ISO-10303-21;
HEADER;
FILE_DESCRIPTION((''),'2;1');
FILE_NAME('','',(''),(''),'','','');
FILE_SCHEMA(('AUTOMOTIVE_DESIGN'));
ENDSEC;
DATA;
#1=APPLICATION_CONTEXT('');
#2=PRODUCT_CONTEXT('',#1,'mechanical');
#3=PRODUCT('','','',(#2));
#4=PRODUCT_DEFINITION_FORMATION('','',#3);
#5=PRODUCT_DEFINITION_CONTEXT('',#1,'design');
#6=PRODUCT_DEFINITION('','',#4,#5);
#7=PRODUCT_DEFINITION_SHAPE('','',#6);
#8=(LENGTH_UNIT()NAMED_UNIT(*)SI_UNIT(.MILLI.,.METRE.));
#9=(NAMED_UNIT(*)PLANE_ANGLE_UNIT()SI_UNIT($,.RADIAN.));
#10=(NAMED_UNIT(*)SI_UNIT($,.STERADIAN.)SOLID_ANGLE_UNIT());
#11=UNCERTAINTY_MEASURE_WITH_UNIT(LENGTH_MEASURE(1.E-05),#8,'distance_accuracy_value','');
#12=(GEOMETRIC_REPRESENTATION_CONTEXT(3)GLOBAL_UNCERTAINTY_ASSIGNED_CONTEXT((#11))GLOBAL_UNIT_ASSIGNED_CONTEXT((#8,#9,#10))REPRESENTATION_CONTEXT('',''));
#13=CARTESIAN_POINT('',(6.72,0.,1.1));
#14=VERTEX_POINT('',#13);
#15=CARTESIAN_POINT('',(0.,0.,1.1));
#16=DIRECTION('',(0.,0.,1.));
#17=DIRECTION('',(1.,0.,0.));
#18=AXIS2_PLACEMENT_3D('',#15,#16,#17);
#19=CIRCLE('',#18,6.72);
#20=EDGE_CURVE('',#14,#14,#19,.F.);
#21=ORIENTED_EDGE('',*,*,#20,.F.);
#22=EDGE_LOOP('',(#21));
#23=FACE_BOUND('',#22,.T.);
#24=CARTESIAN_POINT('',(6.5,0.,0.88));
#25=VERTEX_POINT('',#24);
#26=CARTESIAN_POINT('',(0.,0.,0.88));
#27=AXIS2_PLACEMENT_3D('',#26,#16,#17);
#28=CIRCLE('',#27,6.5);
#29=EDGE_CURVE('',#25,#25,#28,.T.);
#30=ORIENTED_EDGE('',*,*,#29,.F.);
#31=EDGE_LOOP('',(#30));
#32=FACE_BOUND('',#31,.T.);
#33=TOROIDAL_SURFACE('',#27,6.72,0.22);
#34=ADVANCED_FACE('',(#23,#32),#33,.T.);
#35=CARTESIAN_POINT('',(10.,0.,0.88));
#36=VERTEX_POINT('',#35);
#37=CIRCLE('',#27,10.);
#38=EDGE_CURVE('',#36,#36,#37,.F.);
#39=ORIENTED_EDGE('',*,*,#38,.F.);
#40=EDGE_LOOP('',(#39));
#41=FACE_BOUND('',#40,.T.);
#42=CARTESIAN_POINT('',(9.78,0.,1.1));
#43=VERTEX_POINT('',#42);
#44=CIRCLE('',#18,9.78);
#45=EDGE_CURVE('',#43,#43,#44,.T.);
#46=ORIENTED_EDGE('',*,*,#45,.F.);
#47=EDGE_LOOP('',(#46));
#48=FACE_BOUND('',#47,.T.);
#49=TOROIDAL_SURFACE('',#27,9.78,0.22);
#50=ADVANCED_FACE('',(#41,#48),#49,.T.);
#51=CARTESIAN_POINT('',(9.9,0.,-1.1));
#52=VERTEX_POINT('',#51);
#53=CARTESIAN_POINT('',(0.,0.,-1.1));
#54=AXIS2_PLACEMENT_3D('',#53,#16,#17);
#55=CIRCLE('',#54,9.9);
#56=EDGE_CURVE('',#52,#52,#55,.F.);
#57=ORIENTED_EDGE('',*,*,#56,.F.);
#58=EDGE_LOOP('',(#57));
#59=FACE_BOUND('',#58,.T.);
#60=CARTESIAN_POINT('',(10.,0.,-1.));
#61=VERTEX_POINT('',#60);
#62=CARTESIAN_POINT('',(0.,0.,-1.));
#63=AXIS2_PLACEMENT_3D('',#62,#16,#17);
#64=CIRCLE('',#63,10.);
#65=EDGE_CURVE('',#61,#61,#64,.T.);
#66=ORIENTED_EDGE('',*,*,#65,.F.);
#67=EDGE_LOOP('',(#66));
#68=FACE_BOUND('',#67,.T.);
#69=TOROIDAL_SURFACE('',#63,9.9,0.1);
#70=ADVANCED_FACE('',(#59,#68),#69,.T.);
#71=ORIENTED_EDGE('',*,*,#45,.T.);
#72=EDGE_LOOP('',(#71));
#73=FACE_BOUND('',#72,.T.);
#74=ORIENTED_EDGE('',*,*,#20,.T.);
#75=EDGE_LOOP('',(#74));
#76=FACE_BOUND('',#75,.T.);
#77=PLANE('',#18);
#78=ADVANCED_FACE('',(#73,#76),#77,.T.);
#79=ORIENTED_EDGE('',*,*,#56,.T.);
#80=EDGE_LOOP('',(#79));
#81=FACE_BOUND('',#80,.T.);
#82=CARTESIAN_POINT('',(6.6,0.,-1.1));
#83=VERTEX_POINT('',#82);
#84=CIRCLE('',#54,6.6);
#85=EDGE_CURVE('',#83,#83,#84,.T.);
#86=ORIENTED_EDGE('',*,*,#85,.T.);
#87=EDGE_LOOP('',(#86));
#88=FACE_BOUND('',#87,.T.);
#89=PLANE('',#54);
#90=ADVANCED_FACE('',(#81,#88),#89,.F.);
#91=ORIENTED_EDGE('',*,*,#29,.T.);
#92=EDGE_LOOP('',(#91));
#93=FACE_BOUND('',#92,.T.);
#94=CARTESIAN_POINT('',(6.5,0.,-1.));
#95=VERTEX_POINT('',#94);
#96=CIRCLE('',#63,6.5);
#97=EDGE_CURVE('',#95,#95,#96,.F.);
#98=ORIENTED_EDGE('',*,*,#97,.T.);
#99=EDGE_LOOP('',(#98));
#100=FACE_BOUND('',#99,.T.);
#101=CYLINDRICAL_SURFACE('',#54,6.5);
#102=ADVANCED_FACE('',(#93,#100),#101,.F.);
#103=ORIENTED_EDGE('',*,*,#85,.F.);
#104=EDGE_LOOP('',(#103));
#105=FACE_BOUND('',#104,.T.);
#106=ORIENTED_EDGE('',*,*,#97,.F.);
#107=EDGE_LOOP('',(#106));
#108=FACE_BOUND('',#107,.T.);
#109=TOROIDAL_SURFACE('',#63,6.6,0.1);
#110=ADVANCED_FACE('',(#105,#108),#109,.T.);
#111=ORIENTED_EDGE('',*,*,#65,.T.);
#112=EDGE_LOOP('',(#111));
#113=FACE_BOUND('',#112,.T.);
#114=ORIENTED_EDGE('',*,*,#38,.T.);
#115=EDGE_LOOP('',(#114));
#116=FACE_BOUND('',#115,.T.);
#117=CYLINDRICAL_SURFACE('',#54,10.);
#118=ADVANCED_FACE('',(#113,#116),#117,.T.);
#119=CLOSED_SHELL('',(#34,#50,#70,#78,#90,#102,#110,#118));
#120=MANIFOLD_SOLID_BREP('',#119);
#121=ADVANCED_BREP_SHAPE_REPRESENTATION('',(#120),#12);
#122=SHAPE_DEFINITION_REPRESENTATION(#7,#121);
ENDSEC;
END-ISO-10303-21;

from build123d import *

# Parameters (mm, degrees)
SKETCH3_R                = 10
SKETCH3_R_2              = 6.5
BOSS_EXTRUDE1_DEPTH      = 1.1
BOSS_EXTRUDE1_DEPTH_BACK = 1.1
FILLET1_R                = 0.22
FILLET2_R                = 0.1


with BuildPart() as part:
    # Sketch3 → Boss-Extrude1 (new body, two sides)
    with BuildSketch(Plane.XY) as boss_extrude1_sk:
        Circle(SKETCH3_R)
        Circle(SKETCH3_R_2, mode=Mode.SUBTRACT)
    extrude(amount=BOSS_EXTRUDE1_DEPTH)
    extrude(boss_extrude1_sk.sketch, amount=-BOSS_EXTRUDE1_DEPTH_BACK)

    # Fillet1
    fillet1_edges = [part.edges().sort_by_distance(p)[0] for p in [
        (-10, 0, 1.1),
        (-6.5, 0, 1.1),
    ]]
    fillet(fillet1_edges, radius=FILLET1_R)

    # Fillet2
    fillet2_edges = [part.edges().sort_by_distance(p)[0] for p in [
        (-10, 0, -1.1),
        (-6.5, 0, -1.1),
    ]]
    fillet(fillet2_edges, radius=FILLET2_R)


solid = part.part
